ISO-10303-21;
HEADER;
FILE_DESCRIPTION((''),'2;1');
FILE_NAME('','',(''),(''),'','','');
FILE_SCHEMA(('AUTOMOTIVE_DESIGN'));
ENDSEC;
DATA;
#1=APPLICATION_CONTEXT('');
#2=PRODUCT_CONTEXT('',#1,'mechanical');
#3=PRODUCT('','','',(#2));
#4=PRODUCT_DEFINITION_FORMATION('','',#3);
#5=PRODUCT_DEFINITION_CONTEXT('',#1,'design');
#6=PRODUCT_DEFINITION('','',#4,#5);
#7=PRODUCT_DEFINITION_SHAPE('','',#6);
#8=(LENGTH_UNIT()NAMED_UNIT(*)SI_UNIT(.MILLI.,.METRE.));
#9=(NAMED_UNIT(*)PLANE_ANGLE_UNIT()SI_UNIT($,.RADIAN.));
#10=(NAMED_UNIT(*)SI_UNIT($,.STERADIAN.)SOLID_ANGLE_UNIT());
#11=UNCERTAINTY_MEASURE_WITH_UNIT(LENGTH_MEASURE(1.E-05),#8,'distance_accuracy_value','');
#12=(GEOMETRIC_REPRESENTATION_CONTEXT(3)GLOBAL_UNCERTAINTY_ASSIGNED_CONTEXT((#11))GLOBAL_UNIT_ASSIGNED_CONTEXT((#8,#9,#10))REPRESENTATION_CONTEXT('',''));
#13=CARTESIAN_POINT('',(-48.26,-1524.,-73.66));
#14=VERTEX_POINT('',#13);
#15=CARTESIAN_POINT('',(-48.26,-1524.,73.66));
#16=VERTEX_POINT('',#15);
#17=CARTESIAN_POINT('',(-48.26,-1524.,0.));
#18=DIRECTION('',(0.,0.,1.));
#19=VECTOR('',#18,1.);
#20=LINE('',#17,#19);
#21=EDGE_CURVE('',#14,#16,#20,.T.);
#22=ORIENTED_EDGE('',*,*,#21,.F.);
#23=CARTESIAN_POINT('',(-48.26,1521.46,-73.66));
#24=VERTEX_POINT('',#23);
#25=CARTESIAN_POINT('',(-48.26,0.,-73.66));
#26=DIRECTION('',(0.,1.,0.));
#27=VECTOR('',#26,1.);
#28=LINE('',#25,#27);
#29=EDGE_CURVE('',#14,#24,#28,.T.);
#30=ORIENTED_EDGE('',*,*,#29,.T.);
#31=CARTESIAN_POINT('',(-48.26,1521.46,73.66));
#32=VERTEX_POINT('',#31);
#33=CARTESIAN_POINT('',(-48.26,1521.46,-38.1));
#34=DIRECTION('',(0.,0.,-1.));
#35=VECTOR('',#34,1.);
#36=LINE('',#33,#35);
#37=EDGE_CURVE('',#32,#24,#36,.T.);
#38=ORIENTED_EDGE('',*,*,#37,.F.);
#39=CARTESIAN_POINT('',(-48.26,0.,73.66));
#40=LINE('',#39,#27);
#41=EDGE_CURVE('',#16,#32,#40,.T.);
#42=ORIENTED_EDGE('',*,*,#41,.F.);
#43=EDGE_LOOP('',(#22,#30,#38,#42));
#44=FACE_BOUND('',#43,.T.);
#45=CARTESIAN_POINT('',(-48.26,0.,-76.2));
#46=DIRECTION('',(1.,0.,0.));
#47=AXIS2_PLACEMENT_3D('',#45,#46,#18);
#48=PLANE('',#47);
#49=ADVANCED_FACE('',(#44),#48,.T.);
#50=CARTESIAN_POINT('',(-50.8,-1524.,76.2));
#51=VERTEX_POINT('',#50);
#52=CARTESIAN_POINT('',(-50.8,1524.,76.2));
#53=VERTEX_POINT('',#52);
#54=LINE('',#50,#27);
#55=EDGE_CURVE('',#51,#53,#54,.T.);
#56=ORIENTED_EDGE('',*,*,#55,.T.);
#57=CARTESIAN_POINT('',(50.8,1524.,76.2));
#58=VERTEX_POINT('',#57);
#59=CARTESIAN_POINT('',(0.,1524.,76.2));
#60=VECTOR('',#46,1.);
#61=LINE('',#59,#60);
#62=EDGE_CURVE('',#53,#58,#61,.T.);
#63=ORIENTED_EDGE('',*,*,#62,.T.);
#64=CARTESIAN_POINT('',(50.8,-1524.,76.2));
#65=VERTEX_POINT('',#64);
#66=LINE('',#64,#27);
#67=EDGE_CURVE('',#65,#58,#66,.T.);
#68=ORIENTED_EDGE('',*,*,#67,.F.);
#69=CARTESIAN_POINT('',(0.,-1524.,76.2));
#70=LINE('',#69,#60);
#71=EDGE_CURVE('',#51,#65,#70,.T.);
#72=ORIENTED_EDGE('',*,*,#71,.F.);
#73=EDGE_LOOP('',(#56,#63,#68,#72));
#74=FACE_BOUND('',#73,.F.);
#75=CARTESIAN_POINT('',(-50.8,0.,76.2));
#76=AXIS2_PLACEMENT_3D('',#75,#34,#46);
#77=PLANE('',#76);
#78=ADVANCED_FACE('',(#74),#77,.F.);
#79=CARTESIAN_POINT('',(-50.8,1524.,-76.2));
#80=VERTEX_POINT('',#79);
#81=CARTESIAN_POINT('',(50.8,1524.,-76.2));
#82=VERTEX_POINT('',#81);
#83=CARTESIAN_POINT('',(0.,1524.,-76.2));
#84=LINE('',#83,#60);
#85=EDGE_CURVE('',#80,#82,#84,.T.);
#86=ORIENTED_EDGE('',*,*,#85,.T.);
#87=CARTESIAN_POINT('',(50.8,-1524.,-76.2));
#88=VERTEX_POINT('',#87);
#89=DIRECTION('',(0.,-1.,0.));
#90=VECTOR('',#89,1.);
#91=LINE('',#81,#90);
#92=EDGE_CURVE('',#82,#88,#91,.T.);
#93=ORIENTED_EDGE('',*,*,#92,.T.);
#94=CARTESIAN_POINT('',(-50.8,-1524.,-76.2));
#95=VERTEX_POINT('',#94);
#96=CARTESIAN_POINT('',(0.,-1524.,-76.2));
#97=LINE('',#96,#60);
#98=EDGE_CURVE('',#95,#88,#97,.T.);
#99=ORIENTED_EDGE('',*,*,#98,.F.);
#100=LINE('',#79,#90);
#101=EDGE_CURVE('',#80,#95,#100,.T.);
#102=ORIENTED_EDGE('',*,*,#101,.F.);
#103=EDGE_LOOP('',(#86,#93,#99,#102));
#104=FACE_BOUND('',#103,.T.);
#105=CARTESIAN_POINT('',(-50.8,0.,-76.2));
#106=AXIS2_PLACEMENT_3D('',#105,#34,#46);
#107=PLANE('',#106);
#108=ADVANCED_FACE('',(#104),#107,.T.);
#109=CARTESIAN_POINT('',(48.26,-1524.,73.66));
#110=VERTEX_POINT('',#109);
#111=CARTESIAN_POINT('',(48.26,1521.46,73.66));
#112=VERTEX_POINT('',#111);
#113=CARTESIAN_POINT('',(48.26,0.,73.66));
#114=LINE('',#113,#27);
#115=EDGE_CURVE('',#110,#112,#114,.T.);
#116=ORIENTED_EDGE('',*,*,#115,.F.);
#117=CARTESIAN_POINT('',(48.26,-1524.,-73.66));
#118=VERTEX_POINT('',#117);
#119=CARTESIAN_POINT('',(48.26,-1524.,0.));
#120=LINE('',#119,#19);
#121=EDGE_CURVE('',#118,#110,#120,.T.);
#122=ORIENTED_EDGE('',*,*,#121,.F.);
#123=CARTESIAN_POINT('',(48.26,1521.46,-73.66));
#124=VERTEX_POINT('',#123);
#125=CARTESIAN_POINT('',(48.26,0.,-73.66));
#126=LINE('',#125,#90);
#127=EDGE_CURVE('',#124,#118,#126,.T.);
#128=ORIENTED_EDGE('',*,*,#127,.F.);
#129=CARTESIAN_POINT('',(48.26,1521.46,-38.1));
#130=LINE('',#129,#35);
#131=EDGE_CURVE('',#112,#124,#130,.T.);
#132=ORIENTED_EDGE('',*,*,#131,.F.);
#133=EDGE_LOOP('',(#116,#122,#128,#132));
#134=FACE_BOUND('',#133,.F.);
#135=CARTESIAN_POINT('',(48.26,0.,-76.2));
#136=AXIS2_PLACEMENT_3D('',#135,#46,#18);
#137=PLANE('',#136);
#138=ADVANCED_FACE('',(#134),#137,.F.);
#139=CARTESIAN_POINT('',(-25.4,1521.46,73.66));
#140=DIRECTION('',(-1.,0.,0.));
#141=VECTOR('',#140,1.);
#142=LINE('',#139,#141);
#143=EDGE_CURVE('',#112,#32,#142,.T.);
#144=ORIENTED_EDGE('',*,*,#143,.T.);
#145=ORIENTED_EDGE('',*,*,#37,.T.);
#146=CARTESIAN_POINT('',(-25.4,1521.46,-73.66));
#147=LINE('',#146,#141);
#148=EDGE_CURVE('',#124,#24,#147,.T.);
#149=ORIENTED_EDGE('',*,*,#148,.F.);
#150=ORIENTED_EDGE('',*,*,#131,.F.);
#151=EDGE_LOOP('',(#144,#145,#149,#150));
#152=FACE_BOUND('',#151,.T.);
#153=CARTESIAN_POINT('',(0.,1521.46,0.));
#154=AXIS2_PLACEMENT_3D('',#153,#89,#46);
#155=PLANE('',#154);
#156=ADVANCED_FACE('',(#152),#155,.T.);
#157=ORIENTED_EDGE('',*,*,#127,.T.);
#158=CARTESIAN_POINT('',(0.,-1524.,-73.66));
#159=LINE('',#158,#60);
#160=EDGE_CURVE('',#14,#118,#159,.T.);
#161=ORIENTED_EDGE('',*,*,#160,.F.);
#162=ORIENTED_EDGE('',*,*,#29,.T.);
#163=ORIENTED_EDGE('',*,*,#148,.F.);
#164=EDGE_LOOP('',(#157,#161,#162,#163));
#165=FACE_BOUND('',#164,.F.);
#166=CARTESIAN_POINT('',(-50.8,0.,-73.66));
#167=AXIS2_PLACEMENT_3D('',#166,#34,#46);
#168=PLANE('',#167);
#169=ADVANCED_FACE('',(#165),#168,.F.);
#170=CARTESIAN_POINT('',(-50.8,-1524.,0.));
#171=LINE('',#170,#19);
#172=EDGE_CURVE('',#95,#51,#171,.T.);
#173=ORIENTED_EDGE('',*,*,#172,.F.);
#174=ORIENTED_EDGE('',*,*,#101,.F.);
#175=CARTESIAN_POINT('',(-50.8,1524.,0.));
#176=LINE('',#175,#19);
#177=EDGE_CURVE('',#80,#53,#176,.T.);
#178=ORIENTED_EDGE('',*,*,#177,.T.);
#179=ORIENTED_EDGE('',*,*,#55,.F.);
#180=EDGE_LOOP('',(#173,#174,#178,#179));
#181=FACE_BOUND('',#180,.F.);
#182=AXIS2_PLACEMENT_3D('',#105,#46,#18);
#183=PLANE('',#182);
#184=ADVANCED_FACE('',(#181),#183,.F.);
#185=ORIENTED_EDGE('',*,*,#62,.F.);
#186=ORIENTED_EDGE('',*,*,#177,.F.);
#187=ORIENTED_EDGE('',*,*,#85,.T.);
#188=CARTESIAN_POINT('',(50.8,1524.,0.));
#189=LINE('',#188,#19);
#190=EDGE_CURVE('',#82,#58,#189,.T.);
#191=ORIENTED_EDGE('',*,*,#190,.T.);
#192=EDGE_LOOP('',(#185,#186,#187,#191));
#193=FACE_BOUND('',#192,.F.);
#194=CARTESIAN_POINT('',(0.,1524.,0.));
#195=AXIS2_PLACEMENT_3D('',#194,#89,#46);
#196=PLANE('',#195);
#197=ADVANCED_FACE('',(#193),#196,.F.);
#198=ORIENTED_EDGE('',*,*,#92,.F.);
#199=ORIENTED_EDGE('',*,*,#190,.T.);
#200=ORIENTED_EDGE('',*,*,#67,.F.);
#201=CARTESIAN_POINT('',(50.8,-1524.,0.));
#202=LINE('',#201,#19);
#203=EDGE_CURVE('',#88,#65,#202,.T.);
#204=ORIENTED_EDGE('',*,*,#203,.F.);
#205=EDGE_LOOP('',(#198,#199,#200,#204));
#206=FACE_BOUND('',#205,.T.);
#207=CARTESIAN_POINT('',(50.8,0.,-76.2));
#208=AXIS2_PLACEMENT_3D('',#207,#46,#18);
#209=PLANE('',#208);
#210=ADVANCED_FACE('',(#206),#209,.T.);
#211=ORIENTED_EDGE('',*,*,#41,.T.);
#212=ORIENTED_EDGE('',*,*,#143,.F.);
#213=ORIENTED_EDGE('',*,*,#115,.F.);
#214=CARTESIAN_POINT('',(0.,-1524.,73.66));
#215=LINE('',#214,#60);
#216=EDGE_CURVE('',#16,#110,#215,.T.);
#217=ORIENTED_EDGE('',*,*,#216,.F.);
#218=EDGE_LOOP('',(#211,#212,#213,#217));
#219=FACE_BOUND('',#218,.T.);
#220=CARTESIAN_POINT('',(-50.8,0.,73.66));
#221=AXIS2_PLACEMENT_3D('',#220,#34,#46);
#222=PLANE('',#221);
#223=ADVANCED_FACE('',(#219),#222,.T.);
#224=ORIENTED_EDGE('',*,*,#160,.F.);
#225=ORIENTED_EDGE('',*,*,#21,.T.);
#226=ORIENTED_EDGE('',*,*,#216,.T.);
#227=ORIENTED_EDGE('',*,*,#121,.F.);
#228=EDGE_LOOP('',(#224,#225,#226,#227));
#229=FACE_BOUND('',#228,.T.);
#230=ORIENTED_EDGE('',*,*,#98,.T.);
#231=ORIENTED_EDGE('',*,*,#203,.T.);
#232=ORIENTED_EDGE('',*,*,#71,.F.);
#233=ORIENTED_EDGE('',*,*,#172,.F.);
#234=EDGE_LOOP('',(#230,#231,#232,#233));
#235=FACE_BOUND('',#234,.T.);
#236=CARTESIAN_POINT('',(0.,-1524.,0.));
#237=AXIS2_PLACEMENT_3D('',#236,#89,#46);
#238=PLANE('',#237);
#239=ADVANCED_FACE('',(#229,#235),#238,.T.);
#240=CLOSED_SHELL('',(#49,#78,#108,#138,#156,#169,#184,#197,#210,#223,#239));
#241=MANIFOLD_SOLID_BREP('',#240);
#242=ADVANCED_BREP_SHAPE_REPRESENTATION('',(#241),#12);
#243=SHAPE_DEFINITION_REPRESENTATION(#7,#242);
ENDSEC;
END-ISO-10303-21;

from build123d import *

# Parameters (mm, degrees)
F0_W     = 101.6
F0_H     = 152.4
F1_DEPTH = 1524
F2_T     = -2.54


with BuildPart() as f1:
    # F0 (on Front) → F1 (new body, symmetric)
    with BuildSketch(Plane.XZ):
        Rectangle(F0_W, F0_H)
    extrude(amount=F1_DEPTH, both=True)

    # F2
    f2_openings = [f1.faces().sort_by_distance(p)[0] for p in [
        (0, -1524, 0),
    ]]
    offset(amount=F2_T, openings=f2_openings)


solid = f1.part
